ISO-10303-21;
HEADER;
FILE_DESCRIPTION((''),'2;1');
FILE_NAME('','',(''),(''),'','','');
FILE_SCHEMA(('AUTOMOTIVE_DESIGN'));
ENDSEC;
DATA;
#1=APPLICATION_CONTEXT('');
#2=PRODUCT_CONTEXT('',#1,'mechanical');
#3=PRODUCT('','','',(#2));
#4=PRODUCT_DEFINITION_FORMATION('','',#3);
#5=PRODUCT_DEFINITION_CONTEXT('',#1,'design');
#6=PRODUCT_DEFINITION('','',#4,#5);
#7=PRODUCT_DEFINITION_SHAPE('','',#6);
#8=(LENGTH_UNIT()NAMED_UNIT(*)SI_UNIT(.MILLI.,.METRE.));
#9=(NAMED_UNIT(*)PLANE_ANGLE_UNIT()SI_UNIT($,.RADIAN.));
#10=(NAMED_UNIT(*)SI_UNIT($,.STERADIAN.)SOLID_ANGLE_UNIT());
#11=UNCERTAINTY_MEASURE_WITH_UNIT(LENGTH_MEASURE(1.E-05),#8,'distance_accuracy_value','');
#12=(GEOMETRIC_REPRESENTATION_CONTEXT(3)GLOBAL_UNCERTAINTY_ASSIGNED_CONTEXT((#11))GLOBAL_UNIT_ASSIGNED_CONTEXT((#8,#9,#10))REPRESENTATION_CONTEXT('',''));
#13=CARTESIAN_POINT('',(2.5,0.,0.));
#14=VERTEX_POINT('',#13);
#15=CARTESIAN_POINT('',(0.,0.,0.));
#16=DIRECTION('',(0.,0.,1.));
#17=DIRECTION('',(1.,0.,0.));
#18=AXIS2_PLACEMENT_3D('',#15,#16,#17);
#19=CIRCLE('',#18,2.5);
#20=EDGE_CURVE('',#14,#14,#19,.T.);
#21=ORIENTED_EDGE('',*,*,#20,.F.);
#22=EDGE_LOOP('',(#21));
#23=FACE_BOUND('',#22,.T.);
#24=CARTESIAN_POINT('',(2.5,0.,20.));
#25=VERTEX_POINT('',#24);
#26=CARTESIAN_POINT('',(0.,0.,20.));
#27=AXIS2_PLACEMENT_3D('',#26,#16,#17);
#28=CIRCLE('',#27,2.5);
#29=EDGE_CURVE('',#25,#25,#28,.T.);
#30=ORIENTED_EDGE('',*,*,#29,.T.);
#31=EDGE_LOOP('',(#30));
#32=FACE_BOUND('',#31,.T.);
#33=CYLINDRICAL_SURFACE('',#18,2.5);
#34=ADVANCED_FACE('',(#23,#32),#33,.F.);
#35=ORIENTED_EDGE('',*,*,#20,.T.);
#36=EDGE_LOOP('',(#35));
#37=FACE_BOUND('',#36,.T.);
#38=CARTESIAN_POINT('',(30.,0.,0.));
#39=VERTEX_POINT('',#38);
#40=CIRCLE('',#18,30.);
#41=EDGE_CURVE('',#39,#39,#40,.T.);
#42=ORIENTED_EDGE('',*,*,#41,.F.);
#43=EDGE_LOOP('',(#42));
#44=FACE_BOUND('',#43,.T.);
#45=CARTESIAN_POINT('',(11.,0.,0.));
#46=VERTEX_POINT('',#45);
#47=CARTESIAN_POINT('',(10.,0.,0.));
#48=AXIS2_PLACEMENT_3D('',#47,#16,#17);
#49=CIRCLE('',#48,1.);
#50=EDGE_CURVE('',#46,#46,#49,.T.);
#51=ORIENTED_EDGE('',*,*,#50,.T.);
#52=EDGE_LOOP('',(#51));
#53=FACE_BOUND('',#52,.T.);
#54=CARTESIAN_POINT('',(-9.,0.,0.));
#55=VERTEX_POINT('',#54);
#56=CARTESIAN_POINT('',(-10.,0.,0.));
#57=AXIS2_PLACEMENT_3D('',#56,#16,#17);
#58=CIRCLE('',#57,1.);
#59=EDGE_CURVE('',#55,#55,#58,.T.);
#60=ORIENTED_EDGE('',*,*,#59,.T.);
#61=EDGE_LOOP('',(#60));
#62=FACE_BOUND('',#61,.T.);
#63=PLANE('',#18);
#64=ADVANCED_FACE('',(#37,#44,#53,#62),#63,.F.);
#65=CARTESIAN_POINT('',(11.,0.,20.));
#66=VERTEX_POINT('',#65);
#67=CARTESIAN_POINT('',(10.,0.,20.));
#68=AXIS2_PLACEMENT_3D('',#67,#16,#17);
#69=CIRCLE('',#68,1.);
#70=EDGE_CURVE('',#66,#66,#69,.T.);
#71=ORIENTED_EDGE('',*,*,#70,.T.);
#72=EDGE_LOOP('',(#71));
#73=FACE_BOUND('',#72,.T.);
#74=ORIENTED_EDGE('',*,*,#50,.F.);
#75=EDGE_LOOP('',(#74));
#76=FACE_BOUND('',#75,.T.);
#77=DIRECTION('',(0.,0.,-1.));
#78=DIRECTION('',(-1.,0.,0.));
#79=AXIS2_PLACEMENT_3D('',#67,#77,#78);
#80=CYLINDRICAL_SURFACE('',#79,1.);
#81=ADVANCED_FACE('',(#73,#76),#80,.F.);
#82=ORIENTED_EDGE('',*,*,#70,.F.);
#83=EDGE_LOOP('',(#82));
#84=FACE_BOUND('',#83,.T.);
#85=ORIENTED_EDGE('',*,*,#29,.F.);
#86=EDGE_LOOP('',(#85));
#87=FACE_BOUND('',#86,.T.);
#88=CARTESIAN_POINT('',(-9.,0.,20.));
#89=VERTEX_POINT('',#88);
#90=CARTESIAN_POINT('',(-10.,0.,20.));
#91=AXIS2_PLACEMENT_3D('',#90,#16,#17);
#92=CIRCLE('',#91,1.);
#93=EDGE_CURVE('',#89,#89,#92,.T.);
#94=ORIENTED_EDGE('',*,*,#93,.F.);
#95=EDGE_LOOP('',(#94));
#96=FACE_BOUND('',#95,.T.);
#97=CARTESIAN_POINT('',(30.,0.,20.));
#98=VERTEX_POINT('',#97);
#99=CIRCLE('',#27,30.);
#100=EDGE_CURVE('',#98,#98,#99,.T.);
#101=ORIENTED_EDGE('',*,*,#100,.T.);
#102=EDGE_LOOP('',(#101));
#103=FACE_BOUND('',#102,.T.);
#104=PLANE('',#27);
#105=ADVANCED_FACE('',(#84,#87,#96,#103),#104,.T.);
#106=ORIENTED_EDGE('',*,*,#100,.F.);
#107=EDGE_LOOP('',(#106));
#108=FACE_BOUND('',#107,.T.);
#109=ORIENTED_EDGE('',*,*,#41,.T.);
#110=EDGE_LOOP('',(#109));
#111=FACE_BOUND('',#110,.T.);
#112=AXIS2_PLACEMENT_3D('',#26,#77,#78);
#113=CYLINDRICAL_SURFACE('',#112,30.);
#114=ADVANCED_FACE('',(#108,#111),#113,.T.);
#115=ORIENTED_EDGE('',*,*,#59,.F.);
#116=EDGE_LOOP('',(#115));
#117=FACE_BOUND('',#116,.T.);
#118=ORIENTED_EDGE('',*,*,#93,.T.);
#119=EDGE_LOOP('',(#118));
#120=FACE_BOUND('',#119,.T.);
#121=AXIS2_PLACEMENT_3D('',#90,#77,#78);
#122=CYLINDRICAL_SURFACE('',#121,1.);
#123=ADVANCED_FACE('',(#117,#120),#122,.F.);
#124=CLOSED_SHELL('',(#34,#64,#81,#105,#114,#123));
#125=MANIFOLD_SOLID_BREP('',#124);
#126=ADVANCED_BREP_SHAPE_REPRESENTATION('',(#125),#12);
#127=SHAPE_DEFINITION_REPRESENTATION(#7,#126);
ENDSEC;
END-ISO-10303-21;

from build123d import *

# Parameters (mm, degrees)
SKETCH1_R           = 30
SKETCH1_R_2         = 1
BOSS_EXTRUDE1_DEPTH = 20
SKETCH3_R           = 2.5
CUT_EXTRUDE1_DEPTH  = 21


with BuildPart() as part:
    # Sketch1 → Boss-Extrude1 (new body)
    with BuildSketch(Plane.XY):
        Circle(SKETCH1_R)
        with Locations((10, 0)):
            Circle(SKETCH1_R_2, mode=Mode.SUBTRACT)
        with Locations((-10, 0)):
            Circle(SKETCH1_R_2, mode=Mode.SUBTRACT)
    extrude(amount=BOSS_EXTRUDE1_DEPTH)

    # Sketch3 → Cut-Extrude1 (cut, through all)
    with BuildSketch(Plane.XY.offset(20)):
        Circle(SKETCH3_R)
    extrude(amount=-CUT_EXTRUDE1_DEPTH, mode=Mode.SUBTRACT)


solid = part.part
